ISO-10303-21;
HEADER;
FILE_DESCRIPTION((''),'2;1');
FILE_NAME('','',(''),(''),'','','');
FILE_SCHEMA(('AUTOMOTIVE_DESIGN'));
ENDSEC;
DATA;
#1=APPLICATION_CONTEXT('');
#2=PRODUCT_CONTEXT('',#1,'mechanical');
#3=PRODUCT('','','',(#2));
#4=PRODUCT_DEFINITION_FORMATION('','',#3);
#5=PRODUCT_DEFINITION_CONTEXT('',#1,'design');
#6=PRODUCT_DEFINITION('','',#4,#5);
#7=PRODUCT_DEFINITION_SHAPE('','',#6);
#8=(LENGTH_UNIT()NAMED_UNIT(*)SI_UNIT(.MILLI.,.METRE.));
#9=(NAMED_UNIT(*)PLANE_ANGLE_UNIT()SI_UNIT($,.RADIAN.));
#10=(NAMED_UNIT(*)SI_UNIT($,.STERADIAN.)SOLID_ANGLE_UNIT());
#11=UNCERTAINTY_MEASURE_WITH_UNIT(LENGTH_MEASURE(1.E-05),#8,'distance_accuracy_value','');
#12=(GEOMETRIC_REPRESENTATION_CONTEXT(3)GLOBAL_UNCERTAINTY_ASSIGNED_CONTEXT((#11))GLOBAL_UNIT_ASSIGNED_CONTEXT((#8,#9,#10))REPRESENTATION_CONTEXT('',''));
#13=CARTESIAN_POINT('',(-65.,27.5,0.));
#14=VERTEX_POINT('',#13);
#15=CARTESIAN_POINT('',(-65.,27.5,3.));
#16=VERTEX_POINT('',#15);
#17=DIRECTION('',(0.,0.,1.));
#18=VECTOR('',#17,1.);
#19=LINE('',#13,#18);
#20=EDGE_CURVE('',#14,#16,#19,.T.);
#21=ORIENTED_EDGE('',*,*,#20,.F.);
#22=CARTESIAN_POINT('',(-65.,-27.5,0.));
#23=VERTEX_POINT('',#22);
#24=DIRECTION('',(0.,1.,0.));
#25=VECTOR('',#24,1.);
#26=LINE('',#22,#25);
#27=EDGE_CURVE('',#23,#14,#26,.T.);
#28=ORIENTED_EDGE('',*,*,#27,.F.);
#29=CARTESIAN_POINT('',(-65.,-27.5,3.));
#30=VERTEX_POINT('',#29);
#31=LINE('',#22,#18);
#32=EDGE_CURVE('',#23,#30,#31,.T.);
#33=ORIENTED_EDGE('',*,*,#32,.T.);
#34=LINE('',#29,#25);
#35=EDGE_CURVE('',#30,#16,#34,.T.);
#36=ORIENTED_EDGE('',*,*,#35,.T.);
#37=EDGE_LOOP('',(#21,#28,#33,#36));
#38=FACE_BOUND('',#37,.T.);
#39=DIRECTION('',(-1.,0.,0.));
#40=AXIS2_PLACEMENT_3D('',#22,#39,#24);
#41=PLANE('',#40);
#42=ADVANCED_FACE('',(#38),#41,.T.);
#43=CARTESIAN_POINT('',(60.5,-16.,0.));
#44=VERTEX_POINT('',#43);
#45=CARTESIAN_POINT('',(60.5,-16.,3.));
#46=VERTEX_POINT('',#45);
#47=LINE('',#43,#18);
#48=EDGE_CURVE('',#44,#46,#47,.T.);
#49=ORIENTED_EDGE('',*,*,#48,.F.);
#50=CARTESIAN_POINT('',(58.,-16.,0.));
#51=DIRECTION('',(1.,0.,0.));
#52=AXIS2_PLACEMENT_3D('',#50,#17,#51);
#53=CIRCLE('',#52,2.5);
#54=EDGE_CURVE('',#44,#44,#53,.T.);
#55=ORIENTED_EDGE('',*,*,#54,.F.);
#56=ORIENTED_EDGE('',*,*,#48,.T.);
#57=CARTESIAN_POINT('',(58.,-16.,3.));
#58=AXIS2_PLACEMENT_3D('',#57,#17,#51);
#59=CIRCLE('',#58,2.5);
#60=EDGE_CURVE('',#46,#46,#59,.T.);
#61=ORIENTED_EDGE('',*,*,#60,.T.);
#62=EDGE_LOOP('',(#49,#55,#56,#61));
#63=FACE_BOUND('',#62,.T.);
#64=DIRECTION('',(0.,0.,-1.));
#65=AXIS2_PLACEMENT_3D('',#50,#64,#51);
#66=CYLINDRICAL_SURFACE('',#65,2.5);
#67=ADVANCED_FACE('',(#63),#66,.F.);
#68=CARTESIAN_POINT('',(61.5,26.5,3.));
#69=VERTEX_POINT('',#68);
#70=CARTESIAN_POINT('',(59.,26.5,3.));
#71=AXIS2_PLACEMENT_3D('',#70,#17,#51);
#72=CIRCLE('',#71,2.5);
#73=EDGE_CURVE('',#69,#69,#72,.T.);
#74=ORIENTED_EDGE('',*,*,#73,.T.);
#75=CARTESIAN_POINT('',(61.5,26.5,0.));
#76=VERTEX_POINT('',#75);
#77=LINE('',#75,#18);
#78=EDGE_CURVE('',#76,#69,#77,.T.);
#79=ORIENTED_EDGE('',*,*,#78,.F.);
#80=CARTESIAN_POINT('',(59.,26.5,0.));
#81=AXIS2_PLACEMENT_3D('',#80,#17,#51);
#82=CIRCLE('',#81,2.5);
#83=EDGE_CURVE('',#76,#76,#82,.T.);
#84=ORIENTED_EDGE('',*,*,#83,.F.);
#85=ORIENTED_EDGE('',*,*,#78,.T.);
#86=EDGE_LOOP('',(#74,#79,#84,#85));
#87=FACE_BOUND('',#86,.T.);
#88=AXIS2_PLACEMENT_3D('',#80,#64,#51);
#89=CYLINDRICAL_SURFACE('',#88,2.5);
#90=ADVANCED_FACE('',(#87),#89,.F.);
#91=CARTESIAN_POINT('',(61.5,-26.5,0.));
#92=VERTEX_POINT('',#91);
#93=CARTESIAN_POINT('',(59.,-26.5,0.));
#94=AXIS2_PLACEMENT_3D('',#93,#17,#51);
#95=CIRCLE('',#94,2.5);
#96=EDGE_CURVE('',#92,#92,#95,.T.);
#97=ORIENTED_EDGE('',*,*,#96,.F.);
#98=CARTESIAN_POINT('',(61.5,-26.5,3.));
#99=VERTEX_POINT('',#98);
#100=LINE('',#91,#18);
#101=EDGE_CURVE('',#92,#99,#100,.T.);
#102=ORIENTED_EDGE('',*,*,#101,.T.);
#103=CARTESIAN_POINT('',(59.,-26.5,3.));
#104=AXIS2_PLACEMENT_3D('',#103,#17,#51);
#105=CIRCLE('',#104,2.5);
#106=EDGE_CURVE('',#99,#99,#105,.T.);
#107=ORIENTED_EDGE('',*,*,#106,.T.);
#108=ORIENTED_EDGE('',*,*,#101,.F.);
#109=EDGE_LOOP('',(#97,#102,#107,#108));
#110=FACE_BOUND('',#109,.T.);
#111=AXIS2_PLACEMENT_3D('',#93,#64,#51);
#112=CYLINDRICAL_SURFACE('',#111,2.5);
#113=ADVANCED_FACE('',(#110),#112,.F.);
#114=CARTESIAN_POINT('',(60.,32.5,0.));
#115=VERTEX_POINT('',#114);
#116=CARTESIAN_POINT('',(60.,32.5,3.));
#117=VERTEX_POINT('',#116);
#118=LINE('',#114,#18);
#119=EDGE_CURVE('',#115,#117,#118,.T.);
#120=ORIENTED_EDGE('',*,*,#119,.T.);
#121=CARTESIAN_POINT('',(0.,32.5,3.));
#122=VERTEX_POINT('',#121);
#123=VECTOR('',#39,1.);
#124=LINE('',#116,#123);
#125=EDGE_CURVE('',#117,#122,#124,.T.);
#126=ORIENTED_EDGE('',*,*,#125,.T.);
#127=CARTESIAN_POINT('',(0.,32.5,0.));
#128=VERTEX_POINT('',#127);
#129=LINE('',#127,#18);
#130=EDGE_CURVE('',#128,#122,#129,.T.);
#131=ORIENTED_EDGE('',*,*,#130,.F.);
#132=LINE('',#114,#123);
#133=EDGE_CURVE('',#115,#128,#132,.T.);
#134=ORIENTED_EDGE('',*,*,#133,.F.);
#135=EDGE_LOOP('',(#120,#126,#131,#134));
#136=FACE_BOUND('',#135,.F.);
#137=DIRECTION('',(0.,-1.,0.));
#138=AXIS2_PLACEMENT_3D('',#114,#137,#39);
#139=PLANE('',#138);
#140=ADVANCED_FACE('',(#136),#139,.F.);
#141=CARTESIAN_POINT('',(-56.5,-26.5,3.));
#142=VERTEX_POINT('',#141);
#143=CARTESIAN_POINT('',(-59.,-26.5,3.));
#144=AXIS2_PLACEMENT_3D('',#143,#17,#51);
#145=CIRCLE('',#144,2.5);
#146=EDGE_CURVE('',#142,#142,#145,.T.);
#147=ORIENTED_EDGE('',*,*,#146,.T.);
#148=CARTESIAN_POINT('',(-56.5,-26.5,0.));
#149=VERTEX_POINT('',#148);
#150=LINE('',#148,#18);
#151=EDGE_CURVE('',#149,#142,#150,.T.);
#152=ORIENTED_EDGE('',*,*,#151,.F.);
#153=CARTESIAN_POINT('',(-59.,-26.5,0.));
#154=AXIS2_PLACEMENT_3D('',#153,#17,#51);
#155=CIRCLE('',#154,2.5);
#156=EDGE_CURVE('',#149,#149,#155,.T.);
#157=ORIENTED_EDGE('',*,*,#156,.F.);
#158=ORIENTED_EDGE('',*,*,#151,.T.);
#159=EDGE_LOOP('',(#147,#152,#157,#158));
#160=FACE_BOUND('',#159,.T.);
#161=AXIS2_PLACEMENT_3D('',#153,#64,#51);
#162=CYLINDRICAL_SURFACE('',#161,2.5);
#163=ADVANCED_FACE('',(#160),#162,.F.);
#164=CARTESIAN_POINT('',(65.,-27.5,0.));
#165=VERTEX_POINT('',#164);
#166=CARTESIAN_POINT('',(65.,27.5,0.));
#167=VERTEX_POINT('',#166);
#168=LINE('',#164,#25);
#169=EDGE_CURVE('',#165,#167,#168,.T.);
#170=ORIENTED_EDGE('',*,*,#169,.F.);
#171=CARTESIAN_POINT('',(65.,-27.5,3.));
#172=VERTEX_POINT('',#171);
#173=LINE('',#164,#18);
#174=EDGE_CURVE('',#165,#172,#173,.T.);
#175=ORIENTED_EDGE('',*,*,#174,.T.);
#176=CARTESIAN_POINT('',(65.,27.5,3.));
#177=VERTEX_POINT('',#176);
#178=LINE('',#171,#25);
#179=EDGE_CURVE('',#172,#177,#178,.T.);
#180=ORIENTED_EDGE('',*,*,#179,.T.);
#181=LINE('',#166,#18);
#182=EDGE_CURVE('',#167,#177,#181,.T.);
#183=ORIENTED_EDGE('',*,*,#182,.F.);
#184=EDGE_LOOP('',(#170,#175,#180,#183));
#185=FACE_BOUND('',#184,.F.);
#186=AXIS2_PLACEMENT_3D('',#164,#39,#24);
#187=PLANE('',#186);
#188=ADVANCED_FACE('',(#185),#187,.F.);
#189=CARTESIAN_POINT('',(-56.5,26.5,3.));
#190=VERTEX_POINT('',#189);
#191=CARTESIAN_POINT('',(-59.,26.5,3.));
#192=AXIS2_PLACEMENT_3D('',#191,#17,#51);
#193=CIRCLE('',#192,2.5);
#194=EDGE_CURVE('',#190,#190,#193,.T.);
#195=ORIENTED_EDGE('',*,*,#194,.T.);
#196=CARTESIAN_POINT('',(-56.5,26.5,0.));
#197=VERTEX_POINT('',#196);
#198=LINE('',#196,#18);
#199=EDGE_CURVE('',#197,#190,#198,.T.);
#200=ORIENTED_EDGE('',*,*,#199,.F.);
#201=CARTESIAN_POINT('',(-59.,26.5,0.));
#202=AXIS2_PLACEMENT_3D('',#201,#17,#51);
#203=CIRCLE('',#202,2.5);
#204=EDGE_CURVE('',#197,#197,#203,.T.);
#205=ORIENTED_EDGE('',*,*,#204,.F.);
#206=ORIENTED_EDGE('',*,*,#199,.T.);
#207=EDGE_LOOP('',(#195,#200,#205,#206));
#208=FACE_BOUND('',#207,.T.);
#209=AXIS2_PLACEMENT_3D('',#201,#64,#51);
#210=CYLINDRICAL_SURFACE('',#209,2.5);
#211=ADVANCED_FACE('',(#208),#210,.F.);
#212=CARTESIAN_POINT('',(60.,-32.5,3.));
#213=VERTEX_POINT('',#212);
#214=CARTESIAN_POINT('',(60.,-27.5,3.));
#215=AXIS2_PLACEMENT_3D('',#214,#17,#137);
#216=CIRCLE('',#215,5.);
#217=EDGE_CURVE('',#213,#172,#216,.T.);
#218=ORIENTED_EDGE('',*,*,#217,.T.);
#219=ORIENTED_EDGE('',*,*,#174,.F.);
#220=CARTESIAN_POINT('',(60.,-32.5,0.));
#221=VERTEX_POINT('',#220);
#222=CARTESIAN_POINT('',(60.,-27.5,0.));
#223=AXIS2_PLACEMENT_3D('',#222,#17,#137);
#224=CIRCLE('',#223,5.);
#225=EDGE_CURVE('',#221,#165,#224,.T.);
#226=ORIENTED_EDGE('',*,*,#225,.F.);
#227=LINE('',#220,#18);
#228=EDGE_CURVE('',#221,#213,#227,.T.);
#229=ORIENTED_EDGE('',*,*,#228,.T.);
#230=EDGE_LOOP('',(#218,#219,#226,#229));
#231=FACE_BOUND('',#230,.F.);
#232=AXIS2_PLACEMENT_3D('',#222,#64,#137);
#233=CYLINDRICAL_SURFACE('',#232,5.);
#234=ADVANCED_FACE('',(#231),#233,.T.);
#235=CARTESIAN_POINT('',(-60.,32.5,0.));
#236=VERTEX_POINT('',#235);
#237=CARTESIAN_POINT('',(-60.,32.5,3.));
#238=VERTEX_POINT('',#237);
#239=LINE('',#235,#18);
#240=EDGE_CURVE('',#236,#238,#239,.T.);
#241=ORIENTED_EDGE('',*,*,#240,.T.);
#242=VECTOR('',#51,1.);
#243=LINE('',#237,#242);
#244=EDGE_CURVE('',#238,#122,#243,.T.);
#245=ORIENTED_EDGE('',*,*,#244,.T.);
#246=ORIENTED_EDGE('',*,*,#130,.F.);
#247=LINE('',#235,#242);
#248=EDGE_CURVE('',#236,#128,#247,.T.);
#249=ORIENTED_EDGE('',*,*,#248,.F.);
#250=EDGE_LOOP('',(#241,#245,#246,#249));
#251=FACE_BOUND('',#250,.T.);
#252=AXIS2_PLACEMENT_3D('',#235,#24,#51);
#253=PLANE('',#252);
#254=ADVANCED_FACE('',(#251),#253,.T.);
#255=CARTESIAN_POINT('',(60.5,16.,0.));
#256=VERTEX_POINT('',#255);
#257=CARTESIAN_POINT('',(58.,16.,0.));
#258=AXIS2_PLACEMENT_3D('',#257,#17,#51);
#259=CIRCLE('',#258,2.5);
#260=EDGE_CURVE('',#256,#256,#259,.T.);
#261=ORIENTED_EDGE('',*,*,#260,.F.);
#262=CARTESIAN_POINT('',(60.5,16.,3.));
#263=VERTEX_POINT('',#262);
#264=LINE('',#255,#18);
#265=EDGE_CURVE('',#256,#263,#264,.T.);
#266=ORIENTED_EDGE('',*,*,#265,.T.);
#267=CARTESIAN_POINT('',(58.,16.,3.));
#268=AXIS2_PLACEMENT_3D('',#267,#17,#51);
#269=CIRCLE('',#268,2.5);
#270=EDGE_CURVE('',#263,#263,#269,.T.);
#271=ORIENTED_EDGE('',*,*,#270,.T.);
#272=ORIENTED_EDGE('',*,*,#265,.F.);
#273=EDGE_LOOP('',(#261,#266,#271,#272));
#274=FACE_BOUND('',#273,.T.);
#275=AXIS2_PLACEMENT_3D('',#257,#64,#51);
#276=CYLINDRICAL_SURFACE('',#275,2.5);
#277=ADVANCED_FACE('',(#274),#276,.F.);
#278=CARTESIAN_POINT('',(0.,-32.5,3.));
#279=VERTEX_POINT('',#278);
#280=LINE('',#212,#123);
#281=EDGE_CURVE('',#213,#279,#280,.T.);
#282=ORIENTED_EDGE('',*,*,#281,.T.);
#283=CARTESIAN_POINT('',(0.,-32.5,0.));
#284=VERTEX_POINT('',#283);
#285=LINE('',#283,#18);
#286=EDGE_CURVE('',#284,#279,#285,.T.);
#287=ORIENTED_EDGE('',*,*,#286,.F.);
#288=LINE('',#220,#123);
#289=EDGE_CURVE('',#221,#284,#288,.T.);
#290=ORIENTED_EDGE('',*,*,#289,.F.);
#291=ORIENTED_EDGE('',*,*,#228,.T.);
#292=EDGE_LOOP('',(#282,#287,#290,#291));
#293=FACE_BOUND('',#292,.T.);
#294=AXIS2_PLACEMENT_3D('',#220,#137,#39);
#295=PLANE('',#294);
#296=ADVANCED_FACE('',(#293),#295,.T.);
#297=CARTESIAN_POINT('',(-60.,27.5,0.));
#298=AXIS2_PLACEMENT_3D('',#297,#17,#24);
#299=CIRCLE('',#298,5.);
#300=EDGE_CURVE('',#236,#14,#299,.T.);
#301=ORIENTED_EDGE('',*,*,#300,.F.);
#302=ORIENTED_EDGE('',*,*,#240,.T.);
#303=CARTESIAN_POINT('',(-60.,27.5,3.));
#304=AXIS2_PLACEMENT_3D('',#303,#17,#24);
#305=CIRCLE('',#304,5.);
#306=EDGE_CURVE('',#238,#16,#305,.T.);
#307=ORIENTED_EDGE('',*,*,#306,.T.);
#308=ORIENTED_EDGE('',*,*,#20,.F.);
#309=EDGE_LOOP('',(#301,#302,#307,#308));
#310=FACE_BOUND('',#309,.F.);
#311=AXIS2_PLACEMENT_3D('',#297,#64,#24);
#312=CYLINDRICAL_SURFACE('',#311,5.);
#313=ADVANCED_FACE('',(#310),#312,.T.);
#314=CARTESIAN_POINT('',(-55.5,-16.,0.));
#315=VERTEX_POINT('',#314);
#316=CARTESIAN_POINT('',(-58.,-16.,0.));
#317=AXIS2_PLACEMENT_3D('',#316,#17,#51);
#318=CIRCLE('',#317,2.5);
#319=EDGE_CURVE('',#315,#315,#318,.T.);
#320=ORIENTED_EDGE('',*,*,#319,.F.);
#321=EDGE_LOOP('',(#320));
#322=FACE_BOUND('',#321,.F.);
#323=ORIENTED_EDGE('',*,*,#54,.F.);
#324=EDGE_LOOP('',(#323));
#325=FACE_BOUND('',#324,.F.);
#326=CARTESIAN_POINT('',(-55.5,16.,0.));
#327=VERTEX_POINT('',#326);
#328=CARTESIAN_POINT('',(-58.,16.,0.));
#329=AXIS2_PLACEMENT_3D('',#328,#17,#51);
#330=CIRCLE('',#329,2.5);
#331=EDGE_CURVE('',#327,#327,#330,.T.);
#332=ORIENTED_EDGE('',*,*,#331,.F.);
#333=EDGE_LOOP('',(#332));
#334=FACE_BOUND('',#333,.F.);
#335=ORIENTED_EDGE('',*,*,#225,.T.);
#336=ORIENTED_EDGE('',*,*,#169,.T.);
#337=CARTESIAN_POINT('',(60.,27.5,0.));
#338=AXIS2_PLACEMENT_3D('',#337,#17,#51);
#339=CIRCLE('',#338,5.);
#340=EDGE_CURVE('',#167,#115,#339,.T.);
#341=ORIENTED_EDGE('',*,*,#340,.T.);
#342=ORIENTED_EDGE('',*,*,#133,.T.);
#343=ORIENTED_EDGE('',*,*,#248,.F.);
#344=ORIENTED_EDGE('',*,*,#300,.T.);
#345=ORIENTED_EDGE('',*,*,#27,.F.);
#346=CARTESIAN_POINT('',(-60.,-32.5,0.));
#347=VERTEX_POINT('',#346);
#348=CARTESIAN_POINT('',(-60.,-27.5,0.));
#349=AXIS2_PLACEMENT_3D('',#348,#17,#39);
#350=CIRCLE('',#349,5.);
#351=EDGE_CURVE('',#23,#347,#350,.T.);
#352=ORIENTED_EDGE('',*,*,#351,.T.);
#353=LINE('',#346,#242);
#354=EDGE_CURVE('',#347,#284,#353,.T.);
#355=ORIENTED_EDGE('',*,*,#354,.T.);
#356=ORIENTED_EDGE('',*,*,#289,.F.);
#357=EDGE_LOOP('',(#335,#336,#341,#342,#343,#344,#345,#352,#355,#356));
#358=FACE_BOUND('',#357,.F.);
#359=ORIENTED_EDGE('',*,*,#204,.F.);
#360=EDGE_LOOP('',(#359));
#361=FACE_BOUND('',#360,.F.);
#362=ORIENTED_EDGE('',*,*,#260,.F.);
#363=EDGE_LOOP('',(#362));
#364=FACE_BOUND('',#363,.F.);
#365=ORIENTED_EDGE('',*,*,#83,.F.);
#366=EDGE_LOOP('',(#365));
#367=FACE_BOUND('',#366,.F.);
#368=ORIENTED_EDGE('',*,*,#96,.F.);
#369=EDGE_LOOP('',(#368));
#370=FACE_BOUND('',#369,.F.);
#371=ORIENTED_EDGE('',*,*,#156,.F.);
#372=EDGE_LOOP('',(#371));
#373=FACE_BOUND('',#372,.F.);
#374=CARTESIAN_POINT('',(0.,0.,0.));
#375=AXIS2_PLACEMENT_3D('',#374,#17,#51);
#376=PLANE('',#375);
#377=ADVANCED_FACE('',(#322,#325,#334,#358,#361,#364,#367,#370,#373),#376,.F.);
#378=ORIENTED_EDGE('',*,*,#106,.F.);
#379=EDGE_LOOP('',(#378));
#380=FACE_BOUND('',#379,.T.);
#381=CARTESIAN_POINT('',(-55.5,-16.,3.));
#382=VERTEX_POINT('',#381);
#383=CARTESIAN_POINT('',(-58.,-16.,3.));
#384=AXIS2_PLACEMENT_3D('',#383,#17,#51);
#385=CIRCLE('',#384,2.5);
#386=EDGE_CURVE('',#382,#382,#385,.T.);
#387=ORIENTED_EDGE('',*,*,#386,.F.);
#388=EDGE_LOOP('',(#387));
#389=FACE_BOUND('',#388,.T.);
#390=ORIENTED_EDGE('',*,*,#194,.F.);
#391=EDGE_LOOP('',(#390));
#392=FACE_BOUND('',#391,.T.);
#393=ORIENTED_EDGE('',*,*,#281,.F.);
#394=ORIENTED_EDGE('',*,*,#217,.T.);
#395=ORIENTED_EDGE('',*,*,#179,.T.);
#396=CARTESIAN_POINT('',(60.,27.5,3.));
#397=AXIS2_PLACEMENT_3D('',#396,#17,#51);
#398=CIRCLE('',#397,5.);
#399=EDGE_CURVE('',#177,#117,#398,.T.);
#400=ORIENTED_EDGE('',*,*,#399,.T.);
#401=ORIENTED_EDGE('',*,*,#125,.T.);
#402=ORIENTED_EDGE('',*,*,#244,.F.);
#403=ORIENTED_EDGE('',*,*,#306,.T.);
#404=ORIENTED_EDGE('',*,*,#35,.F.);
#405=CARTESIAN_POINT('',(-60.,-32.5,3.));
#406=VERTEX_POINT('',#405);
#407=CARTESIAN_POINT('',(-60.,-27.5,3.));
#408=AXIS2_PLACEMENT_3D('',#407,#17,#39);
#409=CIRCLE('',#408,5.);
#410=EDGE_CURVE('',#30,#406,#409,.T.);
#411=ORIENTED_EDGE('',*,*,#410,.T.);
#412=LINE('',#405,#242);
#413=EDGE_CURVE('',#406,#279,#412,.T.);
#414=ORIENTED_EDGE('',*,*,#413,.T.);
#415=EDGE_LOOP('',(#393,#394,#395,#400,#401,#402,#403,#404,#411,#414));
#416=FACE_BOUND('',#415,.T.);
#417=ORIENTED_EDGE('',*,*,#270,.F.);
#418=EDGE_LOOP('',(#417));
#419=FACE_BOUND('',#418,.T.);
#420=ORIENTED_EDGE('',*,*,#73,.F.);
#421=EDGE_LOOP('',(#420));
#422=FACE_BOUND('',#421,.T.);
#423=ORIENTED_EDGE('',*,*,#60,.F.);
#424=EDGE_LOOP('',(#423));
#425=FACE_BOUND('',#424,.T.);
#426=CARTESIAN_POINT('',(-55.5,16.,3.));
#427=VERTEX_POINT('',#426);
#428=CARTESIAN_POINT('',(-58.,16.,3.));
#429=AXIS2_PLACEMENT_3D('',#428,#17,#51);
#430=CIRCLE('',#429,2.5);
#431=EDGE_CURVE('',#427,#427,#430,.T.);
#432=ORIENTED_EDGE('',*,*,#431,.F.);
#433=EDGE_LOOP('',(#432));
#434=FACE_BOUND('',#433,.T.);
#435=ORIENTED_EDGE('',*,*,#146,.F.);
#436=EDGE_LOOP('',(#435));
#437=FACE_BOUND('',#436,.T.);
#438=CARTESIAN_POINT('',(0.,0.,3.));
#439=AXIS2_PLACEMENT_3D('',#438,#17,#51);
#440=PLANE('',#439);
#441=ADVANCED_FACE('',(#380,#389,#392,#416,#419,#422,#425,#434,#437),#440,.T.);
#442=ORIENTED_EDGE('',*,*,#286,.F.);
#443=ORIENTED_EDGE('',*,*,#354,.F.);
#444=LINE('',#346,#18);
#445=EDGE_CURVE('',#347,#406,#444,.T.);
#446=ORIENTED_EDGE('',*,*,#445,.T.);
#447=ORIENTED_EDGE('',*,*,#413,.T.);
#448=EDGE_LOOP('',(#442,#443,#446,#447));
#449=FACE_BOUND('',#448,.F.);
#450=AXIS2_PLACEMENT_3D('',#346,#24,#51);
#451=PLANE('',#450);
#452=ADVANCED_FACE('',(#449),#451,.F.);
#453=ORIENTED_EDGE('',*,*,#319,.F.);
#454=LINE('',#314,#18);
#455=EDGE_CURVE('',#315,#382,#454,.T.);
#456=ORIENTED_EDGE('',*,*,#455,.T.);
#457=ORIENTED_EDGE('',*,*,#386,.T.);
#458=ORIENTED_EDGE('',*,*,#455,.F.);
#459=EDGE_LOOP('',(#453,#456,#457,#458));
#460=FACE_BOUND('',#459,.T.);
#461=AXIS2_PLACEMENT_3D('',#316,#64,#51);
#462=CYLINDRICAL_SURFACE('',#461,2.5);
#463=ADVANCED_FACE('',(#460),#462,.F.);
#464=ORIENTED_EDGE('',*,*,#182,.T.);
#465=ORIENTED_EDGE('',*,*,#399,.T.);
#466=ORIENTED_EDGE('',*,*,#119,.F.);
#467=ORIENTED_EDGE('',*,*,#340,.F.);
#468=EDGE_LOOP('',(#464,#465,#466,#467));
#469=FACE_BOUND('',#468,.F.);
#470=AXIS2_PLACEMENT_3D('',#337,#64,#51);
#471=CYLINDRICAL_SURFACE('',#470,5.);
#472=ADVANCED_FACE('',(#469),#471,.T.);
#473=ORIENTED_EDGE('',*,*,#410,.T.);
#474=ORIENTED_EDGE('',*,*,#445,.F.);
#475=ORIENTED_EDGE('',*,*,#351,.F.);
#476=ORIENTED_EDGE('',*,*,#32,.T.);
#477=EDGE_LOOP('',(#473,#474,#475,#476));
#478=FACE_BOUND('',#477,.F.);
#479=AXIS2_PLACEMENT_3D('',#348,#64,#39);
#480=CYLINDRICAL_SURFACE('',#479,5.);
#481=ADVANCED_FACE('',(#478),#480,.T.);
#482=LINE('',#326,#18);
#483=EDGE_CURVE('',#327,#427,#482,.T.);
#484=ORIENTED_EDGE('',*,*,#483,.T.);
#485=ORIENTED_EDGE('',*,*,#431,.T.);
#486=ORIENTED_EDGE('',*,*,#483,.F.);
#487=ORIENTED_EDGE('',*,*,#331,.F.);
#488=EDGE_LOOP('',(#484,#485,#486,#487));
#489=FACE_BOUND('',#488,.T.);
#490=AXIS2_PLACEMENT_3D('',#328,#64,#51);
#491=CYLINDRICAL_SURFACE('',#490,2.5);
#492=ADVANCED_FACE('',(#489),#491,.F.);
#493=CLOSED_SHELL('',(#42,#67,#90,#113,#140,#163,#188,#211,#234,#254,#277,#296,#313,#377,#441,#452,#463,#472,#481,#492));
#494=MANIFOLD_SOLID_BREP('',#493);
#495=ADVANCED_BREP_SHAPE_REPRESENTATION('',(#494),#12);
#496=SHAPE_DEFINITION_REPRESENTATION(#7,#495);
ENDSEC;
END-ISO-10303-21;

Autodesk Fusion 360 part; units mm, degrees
sketch "Sketch1" plane through (0, 0, 0) normal (0, 0, 1) x (1, 0, 0)
  line L0 (-65, -27.5) -> (-65, 27.5)
  arc A0 (-60, 32.5) -> (-65, 27.5) centre (-60, 27.5) ccw
  arc A1 (-65, -27.5) -> (-60, -32.5) centre (-60, -27.5) ccw
  circle A2 centre (-59, 26.5) radius 2.5
  circle A3 centre (-59, -26.5) radius 2.5
  line L1 (0, 32.5) -> (0, -32.5) construction
  line L2 (-60, 32.5) -> (0, 32.5)
  line L3 (-60, -32.5) -> (0, -32.5)
  circle A4 centre (-58, 16) radius 2.5
  circle A5 centre (-58, -16) radius 2.5
  circle A6 centre (58, -16) radius 2.5
  arc A7 (60, -32.5) -> (65, -27.5) centre (60, -27.5) ccw
  line L4 (60, 32.5) -> (0, 32.5)
  circle A8 centre (59, 26.5) radius 2.5
  circle A9 centre (59, -26.5) radius 2.5
  line L5 (65, -27.5) -> (65, 27.5)
  arc A10 (65, 27.5) -> (60, 32.5) centre (60, 27.5) ccw
  circle A11 centre (58, 16) radius 2.5
  line L6 (60, -32.5) -> (0, -32.5)
  dimension "d1" = 65
  dimension "d5" = 5
  dimension "d6" = 5
  dimension "d9" = 5
  dimension "d11" = 6
  dimension "d12" = 5
  dimension "d14" = 6
  dimension "d21" = 7
  dimension "d22" = 7
  dimension "d23" = 32
  dimension "d24" = 16.5
  dimension "d25" = 65
  dimension "d28" = 5
  dimension "d29" = 5
extrude "Extrude1" add sketch "Sketch1" along normal blind 3
equation "d6 = d5"
equation "d12 = d9"
equation "d14 = d11"
equation "d22 = d21"
equation "d24 = ( d25 - d23 ) / 2"
equation "d29 = d28"
